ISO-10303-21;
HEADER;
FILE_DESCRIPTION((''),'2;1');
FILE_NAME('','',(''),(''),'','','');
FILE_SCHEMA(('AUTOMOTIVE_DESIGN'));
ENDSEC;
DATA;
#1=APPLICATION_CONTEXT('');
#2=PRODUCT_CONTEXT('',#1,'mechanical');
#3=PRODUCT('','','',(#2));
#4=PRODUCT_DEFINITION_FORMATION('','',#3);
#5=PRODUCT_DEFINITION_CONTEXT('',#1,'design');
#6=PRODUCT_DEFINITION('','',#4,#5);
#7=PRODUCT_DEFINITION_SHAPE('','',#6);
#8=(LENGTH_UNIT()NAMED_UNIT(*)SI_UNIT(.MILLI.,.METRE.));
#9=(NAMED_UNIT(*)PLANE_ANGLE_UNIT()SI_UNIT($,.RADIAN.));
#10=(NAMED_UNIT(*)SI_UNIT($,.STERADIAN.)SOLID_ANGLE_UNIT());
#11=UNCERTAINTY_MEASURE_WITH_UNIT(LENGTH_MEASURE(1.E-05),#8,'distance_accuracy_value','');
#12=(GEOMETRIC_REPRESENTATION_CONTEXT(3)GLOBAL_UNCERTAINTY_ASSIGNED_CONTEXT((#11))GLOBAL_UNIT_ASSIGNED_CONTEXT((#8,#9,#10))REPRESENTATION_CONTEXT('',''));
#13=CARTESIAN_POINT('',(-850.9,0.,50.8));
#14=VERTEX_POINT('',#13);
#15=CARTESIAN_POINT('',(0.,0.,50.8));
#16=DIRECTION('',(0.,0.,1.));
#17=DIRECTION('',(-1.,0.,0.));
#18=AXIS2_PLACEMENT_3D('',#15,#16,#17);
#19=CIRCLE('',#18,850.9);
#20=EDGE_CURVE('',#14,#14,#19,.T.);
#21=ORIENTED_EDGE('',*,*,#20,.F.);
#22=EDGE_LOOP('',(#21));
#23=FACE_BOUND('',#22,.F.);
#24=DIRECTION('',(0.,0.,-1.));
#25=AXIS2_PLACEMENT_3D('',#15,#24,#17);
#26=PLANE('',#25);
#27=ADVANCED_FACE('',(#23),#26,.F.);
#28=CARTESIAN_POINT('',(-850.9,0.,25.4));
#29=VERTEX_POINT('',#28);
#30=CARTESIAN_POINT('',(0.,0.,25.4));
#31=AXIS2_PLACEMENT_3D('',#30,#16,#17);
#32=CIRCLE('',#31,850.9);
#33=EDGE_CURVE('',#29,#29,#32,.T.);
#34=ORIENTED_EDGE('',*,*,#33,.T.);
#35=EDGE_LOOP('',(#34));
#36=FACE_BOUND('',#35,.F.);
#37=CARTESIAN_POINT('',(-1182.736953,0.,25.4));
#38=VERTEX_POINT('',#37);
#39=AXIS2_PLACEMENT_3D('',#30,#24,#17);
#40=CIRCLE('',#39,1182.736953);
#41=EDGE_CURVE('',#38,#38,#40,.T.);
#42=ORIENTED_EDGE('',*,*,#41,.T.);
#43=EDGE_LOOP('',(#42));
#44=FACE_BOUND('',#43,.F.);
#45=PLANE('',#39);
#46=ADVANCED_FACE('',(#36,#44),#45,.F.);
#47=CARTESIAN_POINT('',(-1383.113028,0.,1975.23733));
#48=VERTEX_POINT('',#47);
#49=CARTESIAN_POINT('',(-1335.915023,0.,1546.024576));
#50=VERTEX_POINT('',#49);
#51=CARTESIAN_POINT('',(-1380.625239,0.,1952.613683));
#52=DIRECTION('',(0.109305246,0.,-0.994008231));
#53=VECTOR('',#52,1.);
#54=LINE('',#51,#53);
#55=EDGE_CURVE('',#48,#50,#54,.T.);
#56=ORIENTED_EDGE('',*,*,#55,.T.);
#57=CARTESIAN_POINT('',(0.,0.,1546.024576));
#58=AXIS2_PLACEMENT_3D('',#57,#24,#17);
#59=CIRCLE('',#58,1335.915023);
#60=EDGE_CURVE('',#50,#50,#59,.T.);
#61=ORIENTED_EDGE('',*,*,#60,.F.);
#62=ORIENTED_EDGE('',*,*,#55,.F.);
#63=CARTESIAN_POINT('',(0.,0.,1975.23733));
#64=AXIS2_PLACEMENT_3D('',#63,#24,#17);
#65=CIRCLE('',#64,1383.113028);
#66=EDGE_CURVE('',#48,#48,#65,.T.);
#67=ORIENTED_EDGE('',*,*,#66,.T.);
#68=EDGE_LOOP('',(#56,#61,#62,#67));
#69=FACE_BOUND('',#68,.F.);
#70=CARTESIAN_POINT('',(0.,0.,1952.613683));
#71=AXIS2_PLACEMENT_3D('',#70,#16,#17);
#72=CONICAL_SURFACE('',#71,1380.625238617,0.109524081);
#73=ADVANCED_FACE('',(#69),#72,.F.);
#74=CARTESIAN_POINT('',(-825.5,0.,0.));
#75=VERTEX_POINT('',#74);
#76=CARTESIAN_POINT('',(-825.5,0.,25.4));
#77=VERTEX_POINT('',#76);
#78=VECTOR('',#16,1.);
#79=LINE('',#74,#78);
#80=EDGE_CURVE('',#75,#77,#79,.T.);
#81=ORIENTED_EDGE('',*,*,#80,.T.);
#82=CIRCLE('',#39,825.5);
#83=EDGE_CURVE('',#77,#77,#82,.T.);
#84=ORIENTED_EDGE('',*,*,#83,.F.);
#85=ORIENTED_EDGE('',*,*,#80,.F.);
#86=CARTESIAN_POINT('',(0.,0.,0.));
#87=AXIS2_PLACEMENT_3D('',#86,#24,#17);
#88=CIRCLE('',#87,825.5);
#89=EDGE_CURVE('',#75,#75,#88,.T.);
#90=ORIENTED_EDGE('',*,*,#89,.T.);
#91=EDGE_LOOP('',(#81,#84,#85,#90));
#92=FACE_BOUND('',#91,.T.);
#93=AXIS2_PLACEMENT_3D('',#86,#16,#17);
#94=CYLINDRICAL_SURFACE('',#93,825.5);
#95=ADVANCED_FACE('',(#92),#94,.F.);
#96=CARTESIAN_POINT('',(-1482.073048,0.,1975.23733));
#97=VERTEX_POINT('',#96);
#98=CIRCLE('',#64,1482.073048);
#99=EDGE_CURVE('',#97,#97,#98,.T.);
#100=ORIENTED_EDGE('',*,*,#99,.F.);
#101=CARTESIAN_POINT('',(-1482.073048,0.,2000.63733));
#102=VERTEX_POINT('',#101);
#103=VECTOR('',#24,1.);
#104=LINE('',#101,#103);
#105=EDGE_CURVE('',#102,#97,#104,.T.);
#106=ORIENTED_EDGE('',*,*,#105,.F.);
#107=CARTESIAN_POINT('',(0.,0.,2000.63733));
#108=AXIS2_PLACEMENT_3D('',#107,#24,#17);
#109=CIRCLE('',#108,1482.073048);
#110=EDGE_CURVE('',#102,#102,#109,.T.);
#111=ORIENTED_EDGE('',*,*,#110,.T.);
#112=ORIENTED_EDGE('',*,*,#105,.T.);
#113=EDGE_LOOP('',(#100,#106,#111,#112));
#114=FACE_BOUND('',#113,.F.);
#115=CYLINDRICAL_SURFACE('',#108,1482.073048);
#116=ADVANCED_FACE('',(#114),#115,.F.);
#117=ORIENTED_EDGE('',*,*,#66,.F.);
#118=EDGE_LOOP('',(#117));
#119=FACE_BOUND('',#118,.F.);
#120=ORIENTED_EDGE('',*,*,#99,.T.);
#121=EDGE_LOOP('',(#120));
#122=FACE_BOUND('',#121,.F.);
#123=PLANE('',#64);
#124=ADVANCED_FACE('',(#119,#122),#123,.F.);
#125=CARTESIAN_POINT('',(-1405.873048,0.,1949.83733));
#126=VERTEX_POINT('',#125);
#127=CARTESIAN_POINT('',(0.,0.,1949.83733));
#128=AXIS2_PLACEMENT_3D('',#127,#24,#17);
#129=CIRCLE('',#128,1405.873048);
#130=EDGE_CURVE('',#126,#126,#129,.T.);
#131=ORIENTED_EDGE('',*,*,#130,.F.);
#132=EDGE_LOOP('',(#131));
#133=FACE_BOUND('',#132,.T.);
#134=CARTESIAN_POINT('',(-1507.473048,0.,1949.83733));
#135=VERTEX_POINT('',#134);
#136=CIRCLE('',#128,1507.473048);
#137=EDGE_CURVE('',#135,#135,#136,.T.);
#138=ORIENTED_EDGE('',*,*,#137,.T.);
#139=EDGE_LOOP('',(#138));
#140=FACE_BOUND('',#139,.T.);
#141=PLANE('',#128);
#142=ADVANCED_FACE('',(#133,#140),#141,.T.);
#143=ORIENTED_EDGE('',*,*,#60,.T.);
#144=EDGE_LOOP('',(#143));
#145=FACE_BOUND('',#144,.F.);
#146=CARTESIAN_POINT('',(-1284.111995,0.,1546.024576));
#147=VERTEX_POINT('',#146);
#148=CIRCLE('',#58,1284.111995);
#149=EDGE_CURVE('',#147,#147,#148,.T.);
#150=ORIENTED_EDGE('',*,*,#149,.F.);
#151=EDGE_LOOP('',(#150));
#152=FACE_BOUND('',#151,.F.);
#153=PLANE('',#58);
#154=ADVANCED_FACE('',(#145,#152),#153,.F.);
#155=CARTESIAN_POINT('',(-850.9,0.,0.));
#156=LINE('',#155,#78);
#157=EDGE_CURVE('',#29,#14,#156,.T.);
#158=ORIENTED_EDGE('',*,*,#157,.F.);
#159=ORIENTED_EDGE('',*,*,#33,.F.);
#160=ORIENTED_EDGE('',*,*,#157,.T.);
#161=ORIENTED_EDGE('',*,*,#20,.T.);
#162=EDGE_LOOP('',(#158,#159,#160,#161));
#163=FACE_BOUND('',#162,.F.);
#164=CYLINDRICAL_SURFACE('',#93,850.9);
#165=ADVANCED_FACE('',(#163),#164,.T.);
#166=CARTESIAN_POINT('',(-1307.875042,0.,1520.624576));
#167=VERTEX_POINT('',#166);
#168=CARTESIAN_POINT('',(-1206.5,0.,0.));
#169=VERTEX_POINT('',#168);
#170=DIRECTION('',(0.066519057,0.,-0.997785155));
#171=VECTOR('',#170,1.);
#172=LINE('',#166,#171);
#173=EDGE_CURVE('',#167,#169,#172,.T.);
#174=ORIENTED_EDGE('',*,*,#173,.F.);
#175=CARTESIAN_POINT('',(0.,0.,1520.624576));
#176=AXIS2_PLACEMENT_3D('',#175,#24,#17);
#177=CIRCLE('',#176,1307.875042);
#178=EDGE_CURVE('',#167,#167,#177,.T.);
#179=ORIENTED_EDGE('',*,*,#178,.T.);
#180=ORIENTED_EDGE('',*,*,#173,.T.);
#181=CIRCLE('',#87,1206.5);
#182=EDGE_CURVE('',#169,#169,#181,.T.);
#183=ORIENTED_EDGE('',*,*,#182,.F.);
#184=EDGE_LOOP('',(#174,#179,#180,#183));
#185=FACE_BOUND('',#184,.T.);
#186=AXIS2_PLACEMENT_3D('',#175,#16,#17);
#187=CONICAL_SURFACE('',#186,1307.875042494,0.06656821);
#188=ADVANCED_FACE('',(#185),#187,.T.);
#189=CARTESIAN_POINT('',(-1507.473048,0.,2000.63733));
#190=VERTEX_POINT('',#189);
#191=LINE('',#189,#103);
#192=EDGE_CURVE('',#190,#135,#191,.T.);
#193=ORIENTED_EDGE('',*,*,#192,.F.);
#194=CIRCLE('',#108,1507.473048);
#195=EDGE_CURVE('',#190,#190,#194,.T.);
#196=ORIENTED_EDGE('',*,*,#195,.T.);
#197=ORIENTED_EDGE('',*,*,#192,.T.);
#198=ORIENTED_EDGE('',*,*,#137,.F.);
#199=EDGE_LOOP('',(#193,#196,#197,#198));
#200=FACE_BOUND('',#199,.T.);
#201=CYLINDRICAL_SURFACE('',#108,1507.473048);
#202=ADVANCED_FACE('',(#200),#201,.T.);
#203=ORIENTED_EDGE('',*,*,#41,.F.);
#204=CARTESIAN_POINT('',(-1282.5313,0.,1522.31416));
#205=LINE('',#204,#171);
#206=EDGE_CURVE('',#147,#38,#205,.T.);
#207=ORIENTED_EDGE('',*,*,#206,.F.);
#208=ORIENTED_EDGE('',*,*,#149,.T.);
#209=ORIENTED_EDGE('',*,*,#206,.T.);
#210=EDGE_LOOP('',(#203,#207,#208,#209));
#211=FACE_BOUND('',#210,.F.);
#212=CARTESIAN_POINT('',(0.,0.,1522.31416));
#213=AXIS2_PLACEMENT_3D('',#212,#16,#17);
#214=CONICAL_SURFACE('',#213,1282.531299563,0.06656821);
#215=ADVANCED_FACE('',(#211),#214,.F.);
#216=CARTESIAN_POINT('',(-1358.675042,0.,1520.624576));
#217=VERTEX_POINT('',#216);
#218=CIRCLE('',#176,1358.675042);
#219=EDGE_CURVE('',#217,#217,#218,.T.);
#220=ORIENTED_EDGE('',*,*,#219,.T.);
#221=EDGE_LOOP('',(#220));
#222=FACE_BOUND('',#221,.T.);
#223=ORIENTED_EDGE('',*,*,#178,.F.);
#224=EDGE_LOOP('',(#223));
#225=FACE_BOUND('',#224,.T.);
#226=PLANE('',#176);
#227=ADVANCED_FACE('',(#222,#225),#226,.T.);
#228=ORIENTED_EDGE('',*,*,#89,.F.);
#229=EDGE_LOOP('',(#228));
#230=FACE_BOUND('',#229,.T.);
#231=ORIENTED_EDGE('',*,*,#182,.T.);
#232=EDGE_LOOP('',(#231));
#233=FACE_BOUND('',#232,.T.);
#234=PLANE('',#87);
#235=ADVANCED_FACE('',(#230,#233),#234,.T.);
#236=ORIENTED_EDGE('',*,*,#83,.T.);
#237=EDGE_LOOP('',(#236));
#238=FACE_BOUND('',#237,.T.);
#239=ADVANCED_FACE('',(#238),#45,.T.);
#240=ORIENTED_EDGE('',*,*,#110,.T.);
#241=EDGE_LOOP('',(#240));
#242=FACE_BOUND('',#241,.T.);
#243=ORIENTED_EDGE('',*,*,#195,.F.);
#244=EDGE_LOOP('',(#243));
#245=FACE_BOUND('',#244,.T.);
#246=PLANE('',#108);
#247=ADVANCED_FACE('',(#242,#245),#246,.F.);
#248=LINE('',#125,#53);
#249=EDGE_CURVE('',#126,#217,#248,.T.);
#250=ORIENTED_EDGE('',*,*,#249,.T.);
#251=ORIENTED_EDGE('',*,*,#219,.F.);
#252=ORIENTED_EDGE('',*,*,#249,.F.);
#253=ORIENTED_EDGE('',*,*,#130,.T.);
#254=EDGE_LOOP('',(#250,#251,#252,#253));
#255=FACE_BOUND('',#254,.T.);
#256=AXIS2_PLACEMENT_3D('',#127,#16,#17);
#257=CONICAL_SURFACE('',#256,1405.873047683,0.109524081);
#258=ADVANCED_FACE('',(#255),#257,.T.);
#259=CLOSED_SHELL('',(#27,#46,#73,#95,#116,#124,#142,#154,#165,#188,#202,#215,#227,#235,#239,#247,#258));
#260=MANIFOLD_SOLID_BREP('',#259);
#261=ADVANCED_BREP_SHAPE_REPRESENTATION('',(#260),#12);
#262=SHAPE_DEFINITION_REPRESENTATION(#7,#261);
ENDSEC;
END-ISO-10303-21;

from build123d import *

# Parameters (mm, degrees)
F2_T = -25.4


with BuildPart() as f1:
    # F0 (on Front) → F1 (revolve)
    with BuildSketch(Plane.XZ):
        Polygon((-825.5, 25.4), (0, 25.4), (0, 2000.6373300045), (-1507.473047683, 2000.6373300045), (-1507.473047683, 1949.8373300045), (-1405.873047683, 1949.8373300045), (-1358.6750424939, 1520.6245758764), (-1307.8750424939, 1520.6245758764), (-1206.5, 0), (-825.5, 0), align=None)
    revolve(axis=Axis((0, 0, 1013.0186650022), (0, 0, -1)))

    # F2
    f2_openings = [f1.faces().sort_by_distance(p)[0] for p in [
        (0, 0, 2000.63733),
    ]]
    offset(amount=F2_T, openings=f2_openings, kind=Kind.INTERSECTION)


solid = f1.part
